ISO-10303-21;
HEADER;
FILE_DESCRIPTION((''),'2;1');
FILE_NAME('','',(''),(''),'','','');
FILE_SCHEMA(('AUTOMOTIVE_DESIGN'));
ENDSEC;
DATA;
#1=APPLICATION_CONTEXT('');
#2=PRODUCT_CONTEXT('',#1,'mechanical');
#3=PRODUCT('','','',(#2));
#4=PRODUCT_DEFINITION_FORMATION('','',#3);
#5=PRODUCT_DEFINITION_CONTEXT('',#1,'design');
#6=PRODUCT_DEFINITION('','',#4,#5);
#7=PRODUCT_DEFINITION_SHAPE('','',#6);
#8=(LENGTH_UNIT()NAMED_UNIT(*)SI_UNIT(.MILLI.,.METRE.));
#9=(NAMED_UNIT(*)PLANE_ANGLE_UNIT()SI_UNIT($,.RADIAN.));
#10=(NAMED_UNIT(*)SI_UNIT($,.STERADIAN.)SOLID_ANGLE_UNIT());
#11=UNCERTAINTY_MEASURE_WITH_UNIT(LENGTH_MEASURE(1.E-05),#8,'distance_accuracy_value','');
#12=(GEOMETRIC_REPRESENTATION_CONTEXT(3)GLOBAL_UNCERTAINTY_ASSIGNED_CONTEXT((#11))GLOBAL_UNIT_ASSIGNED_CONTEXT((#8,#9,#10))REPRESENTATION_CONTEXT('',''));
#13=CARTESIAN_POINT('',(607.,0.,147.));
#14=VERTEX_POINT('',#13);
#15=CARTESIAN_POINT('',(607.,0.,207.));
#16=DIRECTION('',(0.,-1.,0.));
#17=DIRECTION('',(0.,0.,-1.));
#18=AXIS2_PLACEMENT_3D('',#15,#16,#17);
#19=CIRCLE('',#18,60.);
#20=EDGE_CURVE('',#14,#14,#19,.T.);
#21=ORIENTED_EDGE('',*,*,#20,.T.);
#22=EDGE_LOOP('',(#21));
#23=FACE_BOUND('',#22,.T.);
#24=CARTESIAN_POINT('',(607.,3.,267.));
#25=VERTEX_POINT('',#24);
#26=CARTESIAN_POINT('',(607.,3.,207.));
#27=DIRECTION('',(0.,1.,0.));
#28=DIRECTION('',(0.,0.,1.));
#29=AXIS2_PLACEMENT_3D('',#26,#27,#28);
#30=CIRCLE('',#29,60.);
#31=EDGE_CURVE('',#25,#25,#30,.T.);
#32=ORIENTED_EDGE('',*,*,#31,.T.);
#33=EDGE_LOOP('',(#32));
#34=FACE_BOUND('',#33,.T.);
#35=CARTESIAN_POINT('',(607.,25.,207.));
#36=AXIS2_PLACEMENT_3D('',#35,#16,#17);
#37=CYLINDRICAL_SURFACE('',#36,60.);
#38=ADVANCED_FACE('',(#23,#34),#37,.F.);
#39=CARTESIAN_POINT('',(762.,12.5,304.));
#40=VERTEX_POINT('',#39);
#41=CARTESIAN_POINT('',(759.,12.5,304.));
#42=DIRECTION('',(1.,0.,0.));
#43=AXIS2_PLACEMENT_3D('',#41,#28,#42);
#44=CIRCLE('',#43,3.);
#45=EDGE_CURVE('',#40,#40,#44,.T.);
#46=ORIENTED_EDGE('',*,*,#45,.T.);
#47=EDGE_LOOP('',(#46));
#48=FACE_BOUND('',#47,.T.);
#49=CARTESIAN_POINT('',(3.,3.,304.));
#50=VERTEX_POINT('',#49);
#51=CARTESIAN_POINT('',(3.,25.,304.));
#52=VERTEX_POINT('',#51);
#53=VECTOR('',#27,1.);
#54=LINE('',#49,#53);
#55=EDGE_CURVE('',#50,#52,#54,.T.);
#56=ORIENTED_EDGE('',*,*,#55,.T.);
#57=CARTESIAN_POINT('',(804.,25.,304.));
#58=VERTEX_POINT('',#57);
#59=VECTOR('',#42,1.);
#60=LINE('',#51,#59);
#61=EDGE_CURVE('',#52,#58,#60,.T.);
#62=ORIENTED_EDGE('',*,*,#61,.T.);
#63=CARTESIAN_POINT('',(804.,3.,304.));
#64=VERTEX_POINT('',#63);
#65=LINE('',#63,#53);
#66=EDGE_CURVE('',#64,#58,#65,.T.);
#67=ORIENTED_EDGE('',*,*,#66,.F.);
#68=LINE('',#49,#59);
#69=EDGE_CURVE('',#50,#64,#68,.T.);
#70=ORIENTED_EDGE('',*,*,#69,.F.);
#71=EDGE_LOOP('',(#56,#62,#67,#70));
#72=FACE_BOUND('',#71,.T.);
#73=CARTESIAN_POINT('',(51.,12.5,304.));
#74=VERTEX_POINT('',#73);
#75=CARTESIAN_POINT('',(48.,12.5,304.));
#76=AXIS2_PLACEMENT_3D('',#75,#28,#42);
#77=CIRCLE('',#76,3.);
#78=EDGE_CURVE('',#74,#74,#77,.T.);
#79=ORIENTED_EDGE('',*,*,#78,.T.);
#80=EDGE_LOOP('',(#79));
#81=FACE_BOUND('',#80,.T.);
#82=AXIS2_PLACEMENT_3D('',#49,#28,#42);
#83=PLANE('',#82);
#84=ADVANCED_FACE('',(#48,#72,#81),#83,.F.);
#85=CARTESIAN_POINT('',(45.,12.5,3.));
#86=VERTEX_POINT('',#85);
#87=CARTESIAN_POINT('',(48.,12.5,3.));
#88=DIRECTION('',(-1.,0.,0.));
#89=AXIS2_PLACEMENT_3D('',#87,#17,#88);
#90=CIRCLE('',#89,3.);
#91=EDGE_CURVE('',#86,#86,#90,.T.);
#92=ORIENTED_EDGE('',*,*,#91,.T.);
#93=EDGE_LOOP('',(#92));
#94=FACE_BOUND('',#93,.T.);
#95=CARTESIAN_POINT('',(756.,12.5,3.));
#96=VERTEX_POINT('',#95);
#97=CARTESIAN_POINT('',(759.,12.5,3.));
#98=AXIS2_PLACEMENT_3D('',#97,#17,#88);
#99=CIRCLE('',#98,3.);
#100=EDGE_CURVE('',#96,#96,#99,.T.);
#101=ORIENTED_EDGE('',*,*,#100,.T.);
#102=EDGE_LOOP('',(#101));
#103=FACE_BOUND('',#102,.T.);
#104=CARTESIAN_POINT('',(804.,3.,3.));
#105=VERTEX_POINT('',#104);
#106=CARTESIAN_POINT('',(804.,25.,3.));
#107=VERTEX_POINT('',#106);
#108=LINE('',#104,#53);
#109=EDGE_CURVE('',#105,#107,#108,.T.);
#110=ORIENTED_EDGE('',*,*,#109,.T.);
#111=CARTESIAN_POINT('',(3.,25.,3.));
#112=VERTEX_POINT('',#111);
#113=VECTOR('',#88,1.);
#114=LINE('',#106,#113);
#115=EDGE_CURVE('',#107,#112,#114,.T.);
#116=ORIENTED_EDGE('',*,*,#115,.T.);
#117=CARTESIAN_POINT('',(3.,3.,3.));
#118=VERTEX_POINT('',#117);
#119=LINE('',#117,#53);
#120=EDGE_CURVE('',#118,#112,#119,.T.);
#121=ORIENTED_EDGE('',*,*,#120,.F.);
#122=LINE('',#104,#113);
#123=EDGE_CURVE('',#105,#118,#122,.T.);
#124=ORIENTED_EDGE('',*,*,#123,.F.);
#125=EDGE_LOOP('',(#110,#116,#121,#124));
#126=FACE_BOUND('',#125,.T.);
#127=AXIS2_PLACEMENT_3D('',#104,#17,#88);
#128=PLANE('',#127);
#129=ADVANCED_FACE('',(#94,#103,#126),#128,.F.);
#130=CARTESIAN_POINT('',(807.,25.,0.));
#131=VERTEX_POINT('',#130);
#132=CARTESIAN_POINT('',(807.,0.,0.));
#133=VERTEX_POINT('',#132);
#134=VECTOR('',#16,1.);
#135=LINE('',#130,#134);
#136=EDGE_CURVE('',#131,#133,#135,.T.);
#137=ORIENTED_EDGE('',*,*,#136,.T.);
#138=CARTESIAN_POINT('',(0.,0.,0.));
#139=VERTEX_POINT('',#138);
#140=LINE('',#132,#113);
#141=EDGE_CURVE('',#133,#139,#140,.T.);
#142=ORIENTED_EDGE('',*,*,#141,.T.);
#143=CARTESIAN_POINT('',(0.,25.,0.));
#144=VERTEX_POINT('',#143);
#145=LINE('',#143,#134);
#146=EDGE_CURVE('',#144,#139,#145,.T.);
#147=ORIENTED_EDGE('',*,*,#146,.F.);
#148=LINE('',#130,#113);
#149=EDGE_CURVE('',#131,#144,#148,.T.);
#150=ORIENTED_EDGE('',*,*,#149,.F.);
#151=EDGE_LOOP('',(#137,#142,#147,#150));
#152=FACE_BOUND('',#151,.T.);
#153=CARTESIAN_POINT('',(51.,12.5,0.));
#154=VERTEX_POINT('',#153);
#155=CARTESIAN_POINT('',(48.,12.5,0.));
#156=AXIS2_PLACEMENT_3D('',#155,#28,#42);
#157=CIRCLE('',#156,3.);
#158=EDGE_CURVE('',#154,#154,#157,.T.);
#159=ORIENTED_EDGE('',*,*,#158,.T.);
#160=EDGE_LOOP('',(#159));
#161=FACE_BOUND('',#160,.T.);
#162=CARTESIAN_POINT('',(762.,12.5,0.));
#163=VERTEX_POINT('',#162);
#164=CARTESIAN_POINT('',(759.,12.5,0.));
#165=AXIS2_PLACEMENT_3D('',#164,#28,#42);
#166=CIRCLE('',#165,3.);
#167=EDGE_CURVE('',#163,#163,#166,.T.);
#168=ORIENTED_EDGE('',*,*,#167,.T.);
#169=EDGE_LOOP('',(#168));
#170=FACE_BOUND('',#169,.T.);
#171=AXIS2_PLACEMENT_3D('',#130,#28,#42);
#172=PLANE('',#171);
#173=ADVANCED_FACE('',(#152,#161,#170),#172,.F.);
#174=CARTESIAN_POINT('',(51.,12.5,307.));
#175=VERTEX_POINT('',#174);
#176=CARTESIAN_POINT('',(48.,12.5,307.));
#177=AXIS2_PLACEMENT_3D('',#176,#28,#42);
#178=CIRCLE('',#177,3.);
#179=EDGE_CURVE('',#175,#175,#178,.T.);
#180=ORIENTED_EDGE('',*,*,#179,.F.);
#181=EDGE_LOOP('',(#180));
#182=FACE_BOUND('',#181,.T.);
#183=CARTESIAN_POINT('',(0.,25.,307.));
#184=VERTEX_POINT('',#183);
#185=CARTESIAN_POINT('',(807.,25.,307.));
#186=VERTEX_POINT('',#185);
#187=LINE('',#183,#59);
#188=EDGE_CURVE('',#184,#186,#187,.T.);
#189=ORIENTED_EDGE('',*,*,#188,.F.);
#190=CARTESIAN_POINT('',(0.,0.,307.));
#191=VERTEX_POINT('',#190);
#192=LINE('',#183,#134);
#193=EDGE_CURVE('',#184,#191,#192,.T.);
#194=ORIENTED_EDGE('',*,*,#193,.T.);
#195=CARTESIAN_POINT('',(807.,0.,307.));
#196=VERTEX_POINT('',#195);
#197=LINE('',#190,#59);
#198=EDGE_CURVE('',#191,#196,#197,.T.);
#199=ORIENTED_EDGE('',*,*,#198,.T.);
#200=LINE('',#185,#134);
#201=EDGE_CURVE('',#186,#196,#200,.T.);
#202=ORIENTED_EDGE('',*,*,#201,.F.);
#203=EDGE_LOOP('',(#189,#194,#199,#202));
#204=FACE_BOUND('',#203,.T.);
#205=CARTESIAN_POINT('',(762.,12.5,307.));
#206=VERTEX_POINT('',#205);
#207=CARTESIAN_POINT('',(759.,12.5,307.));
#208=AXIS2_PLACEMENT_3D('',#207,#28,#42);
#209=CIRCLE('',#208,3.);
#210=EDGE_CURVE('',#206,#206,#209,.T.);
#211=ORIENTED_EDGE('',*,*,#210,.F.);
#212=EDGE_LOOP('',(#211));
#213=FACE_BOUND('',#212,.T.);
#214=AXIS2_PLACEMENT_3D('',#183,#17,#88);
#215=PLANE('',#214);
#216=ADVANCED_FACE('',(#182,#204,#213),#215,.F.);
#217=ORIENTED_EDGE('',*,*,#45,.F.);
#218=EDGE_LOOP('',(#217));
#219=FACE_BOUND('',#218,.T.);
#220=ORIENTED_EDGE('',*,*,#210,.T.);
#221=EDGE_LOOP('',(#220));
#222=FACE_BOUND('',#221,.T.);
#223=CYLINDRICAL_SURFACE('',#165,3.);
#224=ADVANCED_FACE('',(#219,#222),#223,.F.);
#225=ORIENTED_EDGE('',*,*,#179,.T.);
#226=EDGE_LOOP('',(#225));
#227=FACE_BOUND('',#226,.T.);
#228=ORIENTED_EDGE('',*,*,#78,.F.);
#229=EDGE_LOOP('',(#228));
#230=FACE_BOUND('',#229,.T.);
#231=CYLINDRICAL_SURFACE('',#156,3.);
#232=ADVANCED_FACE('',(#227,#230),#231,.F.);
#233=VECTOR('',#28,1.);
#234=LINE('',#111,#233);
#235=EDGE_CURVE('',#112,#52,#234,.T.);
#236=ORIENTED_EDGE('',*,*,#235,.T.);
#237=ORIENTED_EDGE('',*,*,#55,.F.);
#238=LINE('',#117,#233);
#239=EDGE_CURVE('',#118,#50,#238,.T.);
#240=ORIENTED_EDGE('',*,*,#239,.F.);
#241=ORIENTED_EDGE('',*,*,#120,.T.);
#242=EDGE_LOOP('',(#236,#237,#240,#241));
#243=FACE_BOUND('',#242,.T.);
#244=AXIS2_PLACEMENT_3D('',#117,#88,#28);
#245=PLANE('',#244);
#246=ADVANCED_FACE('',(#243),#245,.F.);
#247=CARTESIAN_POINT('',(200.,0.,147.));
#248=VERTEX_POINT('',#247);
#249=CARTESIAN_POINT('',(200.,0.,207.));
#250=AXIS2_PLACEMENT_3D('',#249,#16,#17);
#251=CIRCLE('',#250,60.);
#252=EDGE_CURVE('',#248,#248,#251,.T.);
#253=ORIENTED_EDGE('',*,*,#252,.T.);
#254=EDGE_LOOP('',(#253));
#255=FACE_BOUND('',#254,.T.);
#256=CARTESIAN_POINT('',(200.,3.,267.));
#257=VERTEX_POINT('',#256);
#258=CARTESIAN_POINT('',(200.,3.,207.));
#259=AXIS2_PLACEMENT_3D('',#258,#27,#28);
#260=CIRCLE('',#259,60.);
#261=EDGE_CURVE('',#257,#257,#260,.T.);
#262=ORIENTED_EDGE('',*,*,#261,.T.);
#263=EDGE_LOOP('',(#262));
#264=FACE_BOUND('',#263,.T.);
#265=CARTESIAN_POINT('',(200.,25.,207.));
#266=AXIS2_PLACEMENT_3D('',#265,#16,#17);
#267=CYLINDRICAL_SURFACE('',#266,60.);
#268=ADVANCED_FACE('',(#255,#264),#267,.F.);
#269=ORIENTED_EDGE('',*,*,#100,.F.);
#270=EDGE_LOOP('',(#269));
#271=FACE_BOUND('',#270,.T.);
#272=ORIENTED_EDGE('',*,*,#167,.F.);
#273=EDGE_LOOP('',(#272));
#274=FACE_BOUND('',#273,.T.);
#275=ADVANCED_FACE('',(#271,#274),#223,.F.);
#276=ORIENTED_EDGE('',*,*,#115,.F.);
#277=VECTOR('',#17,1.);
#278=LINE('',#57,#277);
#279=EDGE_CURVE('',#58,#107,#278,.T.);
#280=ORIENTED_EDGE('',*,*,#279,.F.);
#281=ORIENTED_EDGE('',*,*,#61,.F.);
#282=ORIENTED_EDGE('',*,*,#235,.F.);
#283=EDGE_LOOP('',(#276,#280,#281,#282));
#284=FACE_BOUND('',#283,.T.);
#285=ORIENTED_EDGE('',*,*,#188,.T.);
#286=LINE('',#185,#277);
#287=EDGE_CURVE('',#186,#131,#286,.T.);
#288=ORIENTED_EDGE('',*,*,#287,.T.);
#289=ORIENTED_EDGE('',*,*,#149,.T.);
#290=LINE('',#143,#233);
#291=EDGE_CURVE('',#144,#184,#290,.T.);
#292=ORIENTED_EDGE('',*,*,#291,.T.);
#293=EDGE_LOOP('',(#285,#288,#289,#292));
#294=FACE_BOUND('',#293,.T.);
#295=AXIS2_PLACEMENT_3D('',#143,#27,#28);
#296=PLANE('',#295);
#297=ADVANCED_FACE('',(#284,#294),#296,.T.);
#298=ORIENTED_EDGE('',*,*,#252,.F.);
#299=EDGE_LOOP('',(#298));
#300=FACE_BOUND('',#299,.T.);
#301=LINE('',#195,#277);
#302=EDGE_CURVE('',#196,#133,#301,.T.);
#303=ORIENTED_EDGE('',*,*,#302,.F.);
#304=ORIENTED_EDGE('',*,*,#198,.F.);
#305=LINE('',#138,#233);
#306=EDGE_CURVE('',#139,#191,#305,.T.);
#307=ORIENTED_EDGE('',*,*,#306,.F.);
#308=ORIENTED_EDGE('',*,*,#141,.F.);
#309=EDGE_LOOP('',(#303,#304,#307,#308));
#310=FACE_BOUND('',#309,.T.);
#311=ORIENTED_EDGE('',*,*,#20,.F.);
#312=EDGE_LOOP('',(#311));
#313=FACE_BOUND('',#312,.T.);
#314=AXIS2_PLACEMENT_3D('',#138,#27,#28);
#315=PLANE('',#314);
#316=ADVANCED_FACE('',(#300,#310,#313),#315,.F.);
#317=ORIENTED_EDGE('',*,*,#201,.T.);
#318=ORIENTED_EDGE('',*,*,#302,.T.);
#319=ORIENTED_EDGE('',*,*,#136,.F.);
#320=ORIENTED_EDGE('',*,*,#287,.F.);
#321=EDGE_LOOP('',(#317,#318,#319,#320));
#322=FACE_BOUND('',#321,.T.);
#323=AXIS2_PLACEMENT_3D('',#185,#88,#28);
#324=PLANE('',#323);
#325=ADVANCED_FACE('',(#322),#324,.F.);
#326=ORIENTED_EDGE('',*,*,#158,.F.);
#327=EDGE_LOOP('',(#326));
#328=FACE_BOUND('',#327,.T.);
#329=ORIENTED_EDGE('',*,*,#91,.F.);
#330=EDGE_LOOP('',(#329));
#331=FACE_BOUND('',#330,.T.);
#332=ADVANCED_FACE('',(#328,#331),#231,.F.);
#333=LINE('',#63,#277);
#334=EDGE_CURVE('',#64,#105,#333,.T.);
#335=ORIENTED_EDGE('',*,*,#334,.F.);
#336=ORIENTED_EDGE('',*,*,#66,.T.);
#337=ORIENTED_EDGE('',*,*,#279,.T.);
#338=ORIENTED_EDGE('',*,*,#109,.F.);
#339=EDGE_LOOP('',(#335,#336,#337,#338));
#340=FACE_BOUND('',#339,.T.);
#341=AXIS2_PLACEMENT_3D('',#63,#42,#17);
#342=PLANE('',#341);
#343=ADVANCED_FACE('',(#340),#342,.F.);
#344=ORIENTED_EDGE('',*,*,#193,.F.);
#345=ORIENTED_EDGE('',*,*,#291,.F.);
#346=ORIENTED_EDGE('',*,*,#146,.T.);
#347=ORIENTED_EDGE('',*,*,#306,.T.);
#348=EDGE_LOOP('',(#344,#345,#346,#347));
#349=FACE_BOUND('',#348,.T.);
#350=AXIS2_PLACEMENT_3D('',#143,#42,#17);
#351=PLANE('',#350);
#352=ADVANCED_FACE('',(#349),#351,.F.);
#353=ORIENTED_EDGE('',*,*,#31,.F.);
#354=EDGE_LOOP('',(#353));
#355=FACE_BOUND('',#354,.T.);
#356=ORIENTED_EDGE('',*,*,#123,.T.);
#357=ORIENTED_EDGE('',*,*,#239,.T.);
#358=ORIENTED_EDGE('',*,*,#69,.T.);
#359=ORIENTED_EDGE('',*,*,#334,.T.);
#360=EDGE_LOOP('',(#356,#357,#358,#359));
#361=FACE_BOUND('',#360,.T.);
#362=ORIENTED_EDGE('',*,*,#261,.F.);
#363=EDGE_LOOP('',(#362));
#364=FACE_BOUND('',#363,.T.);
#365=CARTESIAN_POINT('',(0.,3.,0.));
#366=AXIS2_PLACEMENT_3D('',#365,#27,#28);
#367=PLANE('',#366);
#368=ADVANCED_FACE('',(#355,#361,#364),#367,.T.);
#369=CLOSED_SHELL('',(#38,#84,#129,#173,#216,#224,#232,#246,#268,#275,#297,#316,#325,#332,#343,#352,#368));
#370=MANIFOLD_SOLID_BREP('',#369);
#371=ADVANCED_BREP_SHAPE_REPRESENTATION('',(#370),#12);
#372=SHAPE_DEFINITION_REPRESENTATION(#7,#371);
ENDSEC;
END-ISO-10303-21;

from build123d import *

# Parameters (mm, degrees)
SKETCH_2_W          = 807
SKETCH_2_H          = 307
EXTRUDE_1_DEPTH     = 25
SKETCH_3_W          = 801
SKETCH_3_H          = 301
CUT_EXTRUDE_1_DEPTH = 22
SKETCH_4_R          = 3
CUT_EXTRUDE_2_DEPTH = 308
SKETCH_5_R          = 60
CUT_EXTRUDE_3_DEPTH = 26


with BuildPart() as part:
    # 草圖2 → 填料-伸長1 (new body)
    with BuildSketch(Plane(origin=(0, 0, 0), x_dir=(1, 0, 0), z_dir=(0, 1, 0))):
        with Locations((403.5, -153.5)):
            Rectangle(SKETCH_2_W, SKETCH_2_H)
    extrude(amount=EXTRUDE_1_DEPTH)

    # 草圖3 → 除料-伸長1 (cut)
    with BuildSketch(Plane(origin=(0, 25, 0), x_dir=(1, 0, 0), z_dir=(0, 1, 0))):
        with Locations((403.5, -153.5)):
            Rectangle(SKETCH_3_W, SKETCH_3_H)
    extrude(amount=-CUT_EXTRUDE_1_DEPTH, mode=Mode.SUBTRACT)

    # 草圖4 → 除料-伸長2 (cut, through all)
    with BuildSketch(Plane.XY.offset(307)):
        with Locations((759, 12.5)):
            Circle(SKETCH_4_R)
        with Locations((48, 12.5)):
            Circle(SKETCH_4_R)
    extrude(amount=-CUT_EXTRUDE_2_DEPTH, mode=Mode.SUBTRACT)

    # 草圖5 → 除料-伸長3 (cut, through all)
    with BuildSketch(Plane.XZ):
        with Locations((607, 207)):
            Circle(SKETCH_5_R)
        with Locations((200, 207)):
            Circle(SKETCH_5_R)
    extrude(amount=-CUT_EXTRUDE_3_DEPTH, mode=Mode.SUBTRACT)


solid = part.part
